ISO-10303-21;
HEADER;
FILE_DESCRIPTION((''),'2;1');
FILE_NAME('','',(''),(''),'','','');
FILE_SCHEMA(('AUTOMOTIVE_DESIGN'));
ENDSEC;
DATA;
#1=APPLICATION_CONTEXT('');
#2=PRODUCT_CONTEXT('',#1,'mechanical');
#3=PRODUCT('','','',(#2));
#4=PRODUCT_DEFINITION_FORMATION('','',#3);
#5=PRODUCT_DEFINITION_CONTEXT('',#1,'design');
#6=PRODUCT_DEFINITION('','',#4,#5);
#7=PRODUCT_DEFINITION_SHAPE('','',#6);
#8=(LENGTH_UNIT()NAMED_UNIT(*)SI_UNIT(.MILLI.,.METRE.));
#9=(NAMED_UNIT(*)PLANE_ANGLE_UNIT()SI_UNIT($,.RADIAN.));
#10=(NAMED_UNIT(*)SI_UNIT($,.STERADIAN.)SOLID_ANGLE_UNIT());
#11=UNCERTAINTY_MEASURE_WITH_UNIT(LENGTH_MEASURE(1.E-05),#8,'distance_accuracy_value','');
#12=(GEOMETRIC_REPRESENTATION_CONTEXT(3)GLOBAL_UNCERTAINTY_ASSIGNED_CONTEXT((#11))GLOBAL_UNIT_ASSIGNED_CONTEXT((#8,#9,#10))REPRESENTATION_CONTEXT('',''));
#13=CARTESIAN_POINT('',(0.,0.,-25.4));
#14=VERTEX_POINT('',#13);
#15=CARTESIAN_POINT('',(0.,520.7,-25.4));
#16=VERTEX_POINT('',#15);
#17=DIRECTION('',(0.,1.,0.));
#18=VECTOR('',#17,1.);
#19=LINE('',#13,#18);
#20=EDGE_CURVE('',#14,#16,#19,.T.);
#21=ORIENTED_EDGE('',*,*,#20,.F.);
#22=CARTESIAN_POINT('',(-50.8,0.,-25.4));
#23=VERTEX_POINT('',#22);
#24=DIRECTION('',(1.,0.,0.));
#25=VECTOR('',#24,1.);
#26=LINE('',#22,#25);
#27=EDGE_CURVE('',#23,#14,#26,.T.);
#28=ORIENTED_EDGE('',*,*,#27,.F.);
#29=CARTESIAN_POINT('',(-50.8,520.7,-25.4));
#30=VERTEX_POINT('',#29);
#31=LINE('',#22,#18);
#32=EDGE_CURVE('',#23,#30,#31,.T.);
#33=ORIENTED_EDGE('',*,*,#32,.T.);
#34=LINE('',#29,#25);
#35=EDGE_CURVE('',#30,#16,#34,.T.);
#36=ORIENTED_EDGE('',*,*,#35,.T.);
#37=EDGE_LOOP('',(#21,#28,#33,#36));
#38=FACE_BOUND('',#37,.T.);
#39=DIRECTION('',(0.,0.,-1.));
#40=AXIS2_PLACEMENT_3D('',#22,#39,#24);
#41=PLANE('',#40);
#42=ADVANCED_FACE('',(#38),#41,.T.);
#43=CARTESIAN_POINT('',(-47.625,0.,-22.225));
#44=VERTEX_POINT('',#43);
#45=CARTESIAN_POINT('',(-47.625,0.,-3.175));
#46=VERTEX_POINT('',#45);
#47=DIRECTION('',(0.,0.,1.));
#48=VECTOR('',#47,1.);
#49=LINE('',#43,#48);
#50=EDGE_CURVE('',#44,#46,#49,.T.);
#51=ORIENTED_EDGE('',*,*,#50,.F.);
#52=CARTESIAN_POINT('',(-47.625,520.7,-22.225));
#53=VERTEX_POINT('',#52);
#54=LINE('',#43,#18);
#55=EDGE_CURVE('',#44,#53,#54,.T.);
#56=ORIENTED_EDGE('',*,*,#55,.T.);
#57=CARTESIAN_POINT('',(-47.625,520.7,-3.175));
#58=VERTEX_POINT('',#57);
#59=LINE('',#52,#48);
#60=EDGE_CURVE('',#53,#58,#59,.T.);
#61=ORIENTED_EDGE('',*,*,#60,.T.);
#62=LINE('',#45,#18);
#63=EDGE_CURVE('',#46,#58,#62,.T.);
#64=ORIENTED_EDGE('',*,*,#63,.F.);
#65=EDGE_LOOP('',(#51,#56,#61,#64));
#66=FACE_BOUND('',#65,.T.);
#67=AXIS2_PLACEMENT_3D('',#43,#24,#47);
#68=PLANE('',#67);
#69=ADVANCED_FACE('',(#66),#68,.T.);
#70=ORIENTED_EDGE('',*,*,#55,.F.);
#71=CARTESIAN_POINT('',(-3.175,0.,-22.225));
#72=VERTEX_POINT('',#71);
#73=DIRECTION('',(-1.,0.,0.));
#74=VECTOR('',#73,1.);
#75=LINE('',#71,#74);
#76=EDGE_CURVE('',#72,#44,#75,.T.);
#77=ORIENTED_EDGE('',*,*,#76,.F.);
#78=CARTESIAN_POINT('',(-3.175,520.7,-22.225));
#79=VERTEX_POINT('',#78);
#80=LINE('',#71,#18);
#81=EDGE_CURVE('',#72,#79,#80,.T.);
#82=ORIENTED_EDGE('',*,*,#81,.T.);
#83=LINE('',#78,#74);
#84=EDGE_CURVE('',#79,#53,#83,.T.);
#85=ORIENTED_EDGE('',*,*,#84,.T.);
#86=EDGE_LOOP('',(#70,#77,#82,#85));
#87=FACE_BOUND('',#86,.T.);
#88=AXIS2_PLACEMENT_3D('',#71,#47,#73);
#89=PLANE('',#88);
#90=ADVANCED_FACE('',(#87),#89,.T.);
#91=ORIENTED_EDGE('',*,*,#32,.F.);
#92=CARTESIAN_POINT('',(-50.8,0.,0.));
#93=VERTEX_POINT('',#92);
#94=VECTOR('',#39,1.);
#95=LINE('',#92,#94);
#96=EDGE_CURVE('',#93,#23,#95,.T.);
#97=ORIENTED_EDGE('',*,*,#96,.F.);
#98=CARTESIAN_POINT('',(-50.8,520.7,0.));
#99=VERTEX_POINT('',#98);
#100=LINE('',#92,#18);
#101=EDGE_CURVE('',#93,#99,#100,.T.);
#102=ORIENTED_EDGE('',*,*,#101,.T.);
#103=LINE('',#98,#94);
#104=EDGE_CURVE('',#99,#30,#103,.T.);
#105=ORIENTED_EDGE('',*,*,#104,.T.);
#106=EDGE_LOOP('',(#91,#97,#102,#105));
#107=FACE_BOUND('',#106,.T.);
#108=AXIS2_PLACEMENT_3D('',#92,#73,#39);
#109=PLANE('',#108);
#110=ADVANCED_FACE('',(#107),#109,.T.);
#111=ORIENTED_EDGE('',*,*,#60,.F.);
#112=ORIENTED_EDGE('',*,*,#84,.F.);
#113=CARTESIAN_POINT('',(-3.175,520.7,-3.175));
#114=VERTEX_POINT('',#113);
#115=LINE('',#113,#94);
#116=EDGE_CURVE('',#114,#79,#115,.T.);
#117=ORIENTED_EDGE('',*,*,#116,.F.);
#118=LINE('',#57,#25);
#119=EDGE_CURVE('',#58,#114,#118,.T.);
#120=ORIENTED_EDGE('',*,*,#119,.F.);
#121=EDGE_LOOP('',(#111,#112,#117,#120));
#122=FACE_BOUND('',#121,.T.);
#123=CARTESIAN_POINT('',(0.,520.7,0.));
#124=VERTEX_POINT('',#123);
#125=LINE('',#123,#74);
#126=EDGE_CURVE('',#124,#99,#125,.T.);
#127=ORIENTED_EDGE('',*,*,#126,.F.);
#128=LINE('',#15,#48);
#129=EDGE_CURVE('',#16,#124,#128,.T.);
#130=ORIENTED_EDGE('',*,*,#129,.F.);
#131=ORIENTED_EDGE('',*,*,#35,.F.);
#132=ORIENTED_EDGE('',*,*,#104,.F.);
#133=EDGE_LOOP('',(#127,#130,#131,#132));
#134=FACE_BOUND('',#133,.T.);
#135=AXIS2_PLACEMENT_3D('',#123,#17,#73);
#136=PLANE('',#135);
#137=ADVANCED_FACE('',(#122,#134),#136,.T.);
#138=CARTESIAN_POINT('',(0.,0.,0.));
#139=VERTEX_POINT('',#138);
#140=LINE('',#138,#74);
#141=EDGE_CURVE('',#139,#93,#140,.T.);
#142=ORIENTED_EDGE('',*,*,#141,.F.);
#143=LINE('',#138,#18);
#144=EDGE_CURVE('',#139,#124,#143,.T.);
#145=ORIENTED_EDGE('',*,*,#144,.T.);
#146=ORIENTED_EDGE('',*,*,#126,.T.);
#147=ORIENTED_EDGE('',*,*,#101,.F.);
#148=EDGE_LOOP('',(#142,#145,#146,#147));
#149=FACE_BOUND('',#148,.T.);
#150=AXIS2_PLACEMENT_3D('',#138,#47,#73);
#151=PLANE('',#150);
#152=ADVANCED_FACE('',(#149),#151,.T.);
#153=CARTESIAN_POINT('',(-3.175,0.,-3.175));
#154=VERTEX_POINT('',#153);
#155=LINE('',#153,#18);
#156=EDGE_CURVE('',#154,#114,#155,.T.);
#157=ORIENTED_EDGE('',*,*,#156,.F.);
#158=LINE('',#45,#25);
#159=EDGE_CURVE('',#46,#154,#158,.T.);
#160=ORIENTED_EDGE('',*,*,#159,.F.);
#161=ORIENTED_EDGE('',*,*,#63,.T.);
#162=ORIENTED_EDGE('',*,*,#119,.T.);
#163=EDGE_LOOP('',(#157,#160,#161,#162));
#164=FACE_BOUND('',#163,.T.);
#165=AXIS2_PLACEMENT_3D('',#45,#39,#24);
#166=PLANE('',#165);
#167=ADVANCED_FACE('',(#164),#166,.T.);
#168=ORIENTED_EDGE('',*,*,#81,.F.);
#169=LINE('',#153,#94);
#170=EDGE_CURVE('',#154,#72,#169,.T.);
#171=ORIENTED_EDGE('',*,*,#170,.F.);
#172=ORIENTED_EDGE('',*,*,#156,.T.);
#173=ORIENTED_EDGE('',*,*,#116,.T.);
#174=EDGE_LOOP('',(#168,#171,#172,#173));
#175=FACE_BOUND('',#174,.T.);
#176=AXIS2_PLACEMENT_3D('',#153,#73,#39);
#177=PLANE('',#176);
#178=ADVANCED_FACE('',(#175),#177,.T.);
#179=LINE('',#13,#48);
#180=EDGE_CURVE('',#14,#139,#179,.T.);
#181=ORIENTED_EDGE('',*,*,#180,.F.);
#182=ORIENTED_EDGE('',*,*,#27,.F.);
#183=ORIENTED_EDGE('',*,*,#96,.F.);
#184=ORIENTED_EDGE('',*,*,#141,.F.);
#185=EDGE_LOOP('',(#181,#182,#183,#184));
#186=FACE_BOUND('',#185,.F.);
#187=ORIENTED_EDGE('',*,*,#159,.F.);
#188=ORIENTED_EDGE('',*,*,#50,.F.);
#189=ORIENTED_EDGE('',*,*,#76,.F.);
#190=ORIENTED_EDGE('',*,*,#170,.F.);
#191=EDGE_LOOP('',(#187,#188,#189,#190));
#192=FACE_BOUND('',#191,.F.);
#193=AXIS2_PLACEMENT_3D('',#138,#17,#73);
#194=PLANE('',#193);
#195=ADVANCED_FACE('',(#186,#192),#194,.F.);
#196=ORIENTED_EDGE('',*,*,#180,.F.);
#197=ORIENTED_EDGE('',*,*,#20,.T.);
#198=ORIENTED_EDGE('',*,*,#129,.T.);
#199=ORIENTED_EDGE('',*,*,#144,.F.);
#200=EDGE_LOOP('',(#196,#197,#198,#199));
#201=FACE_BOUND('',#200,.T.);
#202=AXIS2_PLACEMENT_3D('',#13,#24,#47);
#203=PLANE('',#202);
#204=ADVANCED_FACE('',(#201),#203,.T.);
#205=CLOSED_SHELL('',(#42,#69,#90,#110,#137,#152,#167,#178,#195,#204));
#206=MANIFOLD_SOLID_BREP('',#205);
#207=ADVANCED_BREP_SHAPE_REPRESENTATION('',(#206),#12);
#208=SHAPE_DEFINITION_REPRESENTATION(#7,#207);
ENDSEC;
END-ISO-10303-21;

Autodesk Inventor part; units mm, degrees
ref_plane "YZ Plane" through (0, 0, 0) normal (1, 0, 0) x (0, 1, 0)
ref_plane "XZ Plane" through (0, 0, 0) normal (0, 1, 0) x (-1, 0, 0)
ref_plane "XY Plane" through (0, 0, 0) normal (0, 0, 1) x (1, 0, 0)
sketch "Sketch1" plane through (0, 0, 0) normal (0, 1, 0) x (-1, 0, 0)
  line L0 (0, 0) -> (50.8, 0)
  line L1 (50.8, 0) -> (50.8, -25.4)
  line L2 (50.8, -25.4) -> (0, -25.4)
  line L3 (0, -25.4) -> (0, 0)
  line L4 (47.625, -3.175) -> (3.175, -3.175)
  line L5 (3.175, -3.175) -> (3.175, -22.225)
  line L6 (3.175, -22.225) -> (47.625, -22.225)
  line L7 (47.625, -22.225) -> (47.625, -3.175)
  dimension "d0" = 50.8
  dimension "d1" = 25.4
  dimension "d2" = 3.175
extrude "Extrusion1" add sketch "Sketch1" along normal blind 520.7
properties part number "IntakeBrace.ver1-1111-2020"
